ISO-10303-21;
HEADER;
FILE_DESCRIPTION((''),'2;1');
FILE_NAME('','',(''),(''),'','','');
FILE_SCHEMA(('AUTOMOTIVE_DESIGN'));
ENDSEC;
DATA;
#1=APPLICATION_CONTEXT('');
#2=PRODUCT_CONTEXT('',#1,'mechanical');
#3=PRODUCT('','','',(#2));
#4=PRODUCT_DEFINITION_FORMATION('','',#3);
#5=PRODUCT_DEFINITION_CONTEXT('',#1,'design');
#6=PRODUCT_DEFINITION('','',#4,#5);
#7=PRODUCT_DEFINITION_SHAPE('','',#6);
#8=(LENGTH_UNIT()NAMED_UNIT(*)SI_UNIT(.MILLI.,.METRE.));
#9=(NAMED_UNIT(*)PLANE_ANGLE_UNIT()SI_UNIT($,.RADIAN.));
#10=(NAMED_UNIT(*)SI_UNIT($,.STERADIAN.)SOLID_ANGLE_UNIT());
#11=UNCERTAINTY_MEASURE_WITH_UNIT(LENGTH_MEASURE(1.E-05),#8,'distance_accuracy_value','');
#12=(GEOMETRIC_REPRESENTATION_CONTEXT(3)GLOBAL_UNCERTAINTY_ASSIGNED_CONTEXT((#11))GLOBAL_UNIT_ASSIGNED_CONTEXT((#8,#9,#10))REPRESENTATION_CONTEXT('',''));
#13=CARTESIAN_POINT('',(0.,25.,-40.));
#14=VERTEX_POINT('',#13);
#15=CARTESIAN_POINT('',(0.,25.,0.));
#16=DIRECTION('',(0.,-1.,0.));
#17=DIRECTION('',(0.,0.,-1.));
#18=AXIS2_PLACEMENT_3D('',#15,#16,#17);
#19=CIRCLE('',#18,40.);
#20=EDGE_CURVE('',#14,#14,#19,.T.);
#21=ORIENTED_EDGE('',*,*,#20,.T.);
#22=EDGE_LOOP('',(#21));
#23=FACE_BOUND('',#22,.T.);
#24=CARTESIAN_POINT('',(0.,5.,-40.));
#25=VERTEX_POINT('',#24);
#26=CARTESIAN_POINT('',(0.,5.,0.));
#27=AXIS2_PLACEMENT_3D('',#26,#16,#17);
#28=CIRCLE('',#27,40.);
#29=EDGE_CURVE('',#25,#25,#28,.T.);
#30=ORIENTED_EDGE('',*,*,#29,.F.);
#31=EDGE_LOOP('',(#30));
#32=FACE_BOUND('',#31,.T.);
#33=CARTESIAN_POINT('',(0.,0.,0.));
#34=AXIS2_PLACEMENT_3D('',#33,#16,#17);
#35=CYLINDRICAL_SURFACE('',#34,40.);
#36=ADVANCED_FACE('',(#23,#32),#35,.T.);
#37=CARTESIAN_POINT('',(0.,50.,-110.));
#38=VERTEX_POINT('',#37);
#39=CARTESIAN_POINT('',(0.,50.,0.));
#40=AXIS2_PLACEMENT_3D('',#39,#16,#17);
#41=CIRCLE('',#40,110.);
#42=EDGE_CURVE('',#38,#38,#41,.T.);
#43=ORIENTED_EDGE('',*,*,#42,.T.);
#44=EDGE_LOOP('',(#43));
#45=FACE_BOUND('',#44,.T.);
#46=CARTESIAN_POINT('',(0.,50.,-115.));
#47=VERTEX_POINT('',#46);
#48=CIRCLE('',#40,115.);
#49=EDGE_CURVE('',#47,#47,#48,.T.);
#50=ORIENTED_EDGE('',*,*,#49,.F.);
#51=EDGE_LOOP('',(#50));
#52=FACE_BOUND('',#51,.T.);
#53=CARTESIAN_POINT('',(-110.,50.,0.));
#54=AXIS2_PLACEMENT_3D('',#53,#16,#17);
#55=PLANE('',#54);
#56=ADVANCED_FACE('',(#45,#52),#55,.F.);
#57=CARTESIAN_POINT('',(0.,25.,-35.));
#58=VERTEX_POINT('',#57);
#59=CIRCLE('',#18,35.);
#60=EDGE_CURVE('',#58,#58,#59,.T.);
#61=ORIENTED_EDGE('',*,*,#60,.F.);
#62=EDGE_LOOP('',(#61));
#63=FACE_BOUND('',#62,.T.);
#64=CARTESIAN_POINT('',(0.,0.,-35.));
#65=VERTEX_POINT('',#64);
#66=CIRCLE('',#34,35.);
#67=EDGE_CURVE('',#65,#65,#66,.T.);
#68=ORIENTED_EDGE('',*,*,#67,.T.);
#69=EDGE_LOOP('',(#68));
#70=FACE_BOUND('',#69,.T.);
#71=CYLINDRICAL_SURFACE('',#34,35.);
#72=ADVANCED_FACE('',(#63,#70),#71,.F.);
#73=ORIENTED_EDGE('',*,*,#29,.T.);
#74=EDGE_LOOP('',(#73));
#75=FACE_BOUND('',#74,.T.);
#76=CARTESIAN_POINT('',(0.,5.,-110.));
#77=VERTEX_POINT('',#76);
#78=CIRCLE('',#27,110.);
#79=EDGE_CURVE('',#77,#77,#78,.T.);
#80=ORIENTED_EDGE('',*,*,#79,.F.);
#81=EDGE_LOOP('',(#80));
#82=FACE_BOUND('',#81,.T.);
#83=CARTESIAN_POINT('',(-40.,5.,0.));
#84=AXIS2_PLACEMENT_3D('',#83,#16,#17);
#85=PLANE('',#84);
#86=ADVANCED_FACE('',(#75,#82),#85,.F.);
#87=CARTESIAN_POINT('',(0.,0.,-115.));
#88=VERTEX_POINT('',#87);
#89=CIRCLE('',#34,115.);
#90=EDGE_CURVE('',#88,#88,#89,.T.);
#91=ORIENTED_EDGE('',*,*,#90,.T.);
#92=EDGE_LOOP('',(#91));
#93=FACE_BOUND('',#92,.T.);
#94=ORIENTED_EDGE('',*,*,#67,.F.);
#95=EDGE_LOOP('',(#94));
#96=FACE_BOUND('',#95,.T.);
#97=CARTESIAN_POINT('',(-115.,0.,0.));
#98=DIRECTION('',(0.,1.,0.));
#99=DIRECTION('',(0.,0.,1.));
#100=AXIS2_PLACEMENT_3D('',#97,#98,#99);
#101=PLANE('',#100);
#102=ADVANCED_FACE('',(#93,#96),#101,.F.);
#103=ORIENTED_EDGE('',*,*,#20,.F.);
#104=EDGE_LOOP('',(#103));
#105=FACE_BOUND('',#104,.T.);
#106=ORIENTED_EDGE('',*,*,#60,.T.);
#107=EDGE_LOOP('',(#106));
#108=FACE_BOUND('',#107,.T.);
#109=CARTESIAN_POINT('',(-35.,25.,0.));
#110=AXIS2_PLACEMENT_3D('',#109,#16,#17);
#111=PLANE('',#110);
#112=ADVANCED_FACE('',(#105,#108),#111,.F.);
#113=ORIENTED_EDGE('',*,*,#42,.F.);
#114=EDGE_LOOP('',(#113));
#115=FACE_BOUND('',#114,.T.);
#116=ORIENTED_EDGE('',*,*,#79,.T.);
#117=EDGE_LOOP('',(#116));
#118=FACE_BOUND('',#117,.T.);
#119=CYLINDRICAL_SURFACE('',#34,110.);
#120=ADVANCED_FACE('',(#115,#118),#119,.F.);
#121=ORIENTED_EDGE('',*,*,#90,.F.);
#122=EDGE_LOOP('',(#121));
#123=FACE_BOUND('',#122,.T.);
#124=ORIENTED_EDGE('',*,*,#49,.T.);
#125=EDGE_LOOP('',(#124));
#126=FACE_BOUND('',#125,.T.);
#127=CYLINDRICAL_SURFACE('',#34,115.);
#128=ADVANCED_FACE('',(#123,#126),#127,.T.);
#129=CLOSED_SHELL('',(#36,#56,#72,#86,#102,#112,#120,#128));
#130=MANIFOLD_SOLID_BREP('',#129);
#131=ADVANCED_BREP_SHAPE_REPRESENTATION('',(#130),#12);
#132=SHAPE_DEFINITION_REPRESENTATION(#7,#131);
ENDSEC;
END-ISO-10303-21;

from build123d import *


with BuildPart() as part:
    # Sketch1 → Revolve1 (revolve)
    with BuildSketch(Plane.XY):
        Polygon((-40, 25), (-40, 5), (-110, 5), (-110, 50), (-115, 50), (-115, 0), (-35, 0), (-35, 25), align=None)
    revolve(axis=Axis((0, 0, 0), (0, 1, 0)))


solid = part.part
